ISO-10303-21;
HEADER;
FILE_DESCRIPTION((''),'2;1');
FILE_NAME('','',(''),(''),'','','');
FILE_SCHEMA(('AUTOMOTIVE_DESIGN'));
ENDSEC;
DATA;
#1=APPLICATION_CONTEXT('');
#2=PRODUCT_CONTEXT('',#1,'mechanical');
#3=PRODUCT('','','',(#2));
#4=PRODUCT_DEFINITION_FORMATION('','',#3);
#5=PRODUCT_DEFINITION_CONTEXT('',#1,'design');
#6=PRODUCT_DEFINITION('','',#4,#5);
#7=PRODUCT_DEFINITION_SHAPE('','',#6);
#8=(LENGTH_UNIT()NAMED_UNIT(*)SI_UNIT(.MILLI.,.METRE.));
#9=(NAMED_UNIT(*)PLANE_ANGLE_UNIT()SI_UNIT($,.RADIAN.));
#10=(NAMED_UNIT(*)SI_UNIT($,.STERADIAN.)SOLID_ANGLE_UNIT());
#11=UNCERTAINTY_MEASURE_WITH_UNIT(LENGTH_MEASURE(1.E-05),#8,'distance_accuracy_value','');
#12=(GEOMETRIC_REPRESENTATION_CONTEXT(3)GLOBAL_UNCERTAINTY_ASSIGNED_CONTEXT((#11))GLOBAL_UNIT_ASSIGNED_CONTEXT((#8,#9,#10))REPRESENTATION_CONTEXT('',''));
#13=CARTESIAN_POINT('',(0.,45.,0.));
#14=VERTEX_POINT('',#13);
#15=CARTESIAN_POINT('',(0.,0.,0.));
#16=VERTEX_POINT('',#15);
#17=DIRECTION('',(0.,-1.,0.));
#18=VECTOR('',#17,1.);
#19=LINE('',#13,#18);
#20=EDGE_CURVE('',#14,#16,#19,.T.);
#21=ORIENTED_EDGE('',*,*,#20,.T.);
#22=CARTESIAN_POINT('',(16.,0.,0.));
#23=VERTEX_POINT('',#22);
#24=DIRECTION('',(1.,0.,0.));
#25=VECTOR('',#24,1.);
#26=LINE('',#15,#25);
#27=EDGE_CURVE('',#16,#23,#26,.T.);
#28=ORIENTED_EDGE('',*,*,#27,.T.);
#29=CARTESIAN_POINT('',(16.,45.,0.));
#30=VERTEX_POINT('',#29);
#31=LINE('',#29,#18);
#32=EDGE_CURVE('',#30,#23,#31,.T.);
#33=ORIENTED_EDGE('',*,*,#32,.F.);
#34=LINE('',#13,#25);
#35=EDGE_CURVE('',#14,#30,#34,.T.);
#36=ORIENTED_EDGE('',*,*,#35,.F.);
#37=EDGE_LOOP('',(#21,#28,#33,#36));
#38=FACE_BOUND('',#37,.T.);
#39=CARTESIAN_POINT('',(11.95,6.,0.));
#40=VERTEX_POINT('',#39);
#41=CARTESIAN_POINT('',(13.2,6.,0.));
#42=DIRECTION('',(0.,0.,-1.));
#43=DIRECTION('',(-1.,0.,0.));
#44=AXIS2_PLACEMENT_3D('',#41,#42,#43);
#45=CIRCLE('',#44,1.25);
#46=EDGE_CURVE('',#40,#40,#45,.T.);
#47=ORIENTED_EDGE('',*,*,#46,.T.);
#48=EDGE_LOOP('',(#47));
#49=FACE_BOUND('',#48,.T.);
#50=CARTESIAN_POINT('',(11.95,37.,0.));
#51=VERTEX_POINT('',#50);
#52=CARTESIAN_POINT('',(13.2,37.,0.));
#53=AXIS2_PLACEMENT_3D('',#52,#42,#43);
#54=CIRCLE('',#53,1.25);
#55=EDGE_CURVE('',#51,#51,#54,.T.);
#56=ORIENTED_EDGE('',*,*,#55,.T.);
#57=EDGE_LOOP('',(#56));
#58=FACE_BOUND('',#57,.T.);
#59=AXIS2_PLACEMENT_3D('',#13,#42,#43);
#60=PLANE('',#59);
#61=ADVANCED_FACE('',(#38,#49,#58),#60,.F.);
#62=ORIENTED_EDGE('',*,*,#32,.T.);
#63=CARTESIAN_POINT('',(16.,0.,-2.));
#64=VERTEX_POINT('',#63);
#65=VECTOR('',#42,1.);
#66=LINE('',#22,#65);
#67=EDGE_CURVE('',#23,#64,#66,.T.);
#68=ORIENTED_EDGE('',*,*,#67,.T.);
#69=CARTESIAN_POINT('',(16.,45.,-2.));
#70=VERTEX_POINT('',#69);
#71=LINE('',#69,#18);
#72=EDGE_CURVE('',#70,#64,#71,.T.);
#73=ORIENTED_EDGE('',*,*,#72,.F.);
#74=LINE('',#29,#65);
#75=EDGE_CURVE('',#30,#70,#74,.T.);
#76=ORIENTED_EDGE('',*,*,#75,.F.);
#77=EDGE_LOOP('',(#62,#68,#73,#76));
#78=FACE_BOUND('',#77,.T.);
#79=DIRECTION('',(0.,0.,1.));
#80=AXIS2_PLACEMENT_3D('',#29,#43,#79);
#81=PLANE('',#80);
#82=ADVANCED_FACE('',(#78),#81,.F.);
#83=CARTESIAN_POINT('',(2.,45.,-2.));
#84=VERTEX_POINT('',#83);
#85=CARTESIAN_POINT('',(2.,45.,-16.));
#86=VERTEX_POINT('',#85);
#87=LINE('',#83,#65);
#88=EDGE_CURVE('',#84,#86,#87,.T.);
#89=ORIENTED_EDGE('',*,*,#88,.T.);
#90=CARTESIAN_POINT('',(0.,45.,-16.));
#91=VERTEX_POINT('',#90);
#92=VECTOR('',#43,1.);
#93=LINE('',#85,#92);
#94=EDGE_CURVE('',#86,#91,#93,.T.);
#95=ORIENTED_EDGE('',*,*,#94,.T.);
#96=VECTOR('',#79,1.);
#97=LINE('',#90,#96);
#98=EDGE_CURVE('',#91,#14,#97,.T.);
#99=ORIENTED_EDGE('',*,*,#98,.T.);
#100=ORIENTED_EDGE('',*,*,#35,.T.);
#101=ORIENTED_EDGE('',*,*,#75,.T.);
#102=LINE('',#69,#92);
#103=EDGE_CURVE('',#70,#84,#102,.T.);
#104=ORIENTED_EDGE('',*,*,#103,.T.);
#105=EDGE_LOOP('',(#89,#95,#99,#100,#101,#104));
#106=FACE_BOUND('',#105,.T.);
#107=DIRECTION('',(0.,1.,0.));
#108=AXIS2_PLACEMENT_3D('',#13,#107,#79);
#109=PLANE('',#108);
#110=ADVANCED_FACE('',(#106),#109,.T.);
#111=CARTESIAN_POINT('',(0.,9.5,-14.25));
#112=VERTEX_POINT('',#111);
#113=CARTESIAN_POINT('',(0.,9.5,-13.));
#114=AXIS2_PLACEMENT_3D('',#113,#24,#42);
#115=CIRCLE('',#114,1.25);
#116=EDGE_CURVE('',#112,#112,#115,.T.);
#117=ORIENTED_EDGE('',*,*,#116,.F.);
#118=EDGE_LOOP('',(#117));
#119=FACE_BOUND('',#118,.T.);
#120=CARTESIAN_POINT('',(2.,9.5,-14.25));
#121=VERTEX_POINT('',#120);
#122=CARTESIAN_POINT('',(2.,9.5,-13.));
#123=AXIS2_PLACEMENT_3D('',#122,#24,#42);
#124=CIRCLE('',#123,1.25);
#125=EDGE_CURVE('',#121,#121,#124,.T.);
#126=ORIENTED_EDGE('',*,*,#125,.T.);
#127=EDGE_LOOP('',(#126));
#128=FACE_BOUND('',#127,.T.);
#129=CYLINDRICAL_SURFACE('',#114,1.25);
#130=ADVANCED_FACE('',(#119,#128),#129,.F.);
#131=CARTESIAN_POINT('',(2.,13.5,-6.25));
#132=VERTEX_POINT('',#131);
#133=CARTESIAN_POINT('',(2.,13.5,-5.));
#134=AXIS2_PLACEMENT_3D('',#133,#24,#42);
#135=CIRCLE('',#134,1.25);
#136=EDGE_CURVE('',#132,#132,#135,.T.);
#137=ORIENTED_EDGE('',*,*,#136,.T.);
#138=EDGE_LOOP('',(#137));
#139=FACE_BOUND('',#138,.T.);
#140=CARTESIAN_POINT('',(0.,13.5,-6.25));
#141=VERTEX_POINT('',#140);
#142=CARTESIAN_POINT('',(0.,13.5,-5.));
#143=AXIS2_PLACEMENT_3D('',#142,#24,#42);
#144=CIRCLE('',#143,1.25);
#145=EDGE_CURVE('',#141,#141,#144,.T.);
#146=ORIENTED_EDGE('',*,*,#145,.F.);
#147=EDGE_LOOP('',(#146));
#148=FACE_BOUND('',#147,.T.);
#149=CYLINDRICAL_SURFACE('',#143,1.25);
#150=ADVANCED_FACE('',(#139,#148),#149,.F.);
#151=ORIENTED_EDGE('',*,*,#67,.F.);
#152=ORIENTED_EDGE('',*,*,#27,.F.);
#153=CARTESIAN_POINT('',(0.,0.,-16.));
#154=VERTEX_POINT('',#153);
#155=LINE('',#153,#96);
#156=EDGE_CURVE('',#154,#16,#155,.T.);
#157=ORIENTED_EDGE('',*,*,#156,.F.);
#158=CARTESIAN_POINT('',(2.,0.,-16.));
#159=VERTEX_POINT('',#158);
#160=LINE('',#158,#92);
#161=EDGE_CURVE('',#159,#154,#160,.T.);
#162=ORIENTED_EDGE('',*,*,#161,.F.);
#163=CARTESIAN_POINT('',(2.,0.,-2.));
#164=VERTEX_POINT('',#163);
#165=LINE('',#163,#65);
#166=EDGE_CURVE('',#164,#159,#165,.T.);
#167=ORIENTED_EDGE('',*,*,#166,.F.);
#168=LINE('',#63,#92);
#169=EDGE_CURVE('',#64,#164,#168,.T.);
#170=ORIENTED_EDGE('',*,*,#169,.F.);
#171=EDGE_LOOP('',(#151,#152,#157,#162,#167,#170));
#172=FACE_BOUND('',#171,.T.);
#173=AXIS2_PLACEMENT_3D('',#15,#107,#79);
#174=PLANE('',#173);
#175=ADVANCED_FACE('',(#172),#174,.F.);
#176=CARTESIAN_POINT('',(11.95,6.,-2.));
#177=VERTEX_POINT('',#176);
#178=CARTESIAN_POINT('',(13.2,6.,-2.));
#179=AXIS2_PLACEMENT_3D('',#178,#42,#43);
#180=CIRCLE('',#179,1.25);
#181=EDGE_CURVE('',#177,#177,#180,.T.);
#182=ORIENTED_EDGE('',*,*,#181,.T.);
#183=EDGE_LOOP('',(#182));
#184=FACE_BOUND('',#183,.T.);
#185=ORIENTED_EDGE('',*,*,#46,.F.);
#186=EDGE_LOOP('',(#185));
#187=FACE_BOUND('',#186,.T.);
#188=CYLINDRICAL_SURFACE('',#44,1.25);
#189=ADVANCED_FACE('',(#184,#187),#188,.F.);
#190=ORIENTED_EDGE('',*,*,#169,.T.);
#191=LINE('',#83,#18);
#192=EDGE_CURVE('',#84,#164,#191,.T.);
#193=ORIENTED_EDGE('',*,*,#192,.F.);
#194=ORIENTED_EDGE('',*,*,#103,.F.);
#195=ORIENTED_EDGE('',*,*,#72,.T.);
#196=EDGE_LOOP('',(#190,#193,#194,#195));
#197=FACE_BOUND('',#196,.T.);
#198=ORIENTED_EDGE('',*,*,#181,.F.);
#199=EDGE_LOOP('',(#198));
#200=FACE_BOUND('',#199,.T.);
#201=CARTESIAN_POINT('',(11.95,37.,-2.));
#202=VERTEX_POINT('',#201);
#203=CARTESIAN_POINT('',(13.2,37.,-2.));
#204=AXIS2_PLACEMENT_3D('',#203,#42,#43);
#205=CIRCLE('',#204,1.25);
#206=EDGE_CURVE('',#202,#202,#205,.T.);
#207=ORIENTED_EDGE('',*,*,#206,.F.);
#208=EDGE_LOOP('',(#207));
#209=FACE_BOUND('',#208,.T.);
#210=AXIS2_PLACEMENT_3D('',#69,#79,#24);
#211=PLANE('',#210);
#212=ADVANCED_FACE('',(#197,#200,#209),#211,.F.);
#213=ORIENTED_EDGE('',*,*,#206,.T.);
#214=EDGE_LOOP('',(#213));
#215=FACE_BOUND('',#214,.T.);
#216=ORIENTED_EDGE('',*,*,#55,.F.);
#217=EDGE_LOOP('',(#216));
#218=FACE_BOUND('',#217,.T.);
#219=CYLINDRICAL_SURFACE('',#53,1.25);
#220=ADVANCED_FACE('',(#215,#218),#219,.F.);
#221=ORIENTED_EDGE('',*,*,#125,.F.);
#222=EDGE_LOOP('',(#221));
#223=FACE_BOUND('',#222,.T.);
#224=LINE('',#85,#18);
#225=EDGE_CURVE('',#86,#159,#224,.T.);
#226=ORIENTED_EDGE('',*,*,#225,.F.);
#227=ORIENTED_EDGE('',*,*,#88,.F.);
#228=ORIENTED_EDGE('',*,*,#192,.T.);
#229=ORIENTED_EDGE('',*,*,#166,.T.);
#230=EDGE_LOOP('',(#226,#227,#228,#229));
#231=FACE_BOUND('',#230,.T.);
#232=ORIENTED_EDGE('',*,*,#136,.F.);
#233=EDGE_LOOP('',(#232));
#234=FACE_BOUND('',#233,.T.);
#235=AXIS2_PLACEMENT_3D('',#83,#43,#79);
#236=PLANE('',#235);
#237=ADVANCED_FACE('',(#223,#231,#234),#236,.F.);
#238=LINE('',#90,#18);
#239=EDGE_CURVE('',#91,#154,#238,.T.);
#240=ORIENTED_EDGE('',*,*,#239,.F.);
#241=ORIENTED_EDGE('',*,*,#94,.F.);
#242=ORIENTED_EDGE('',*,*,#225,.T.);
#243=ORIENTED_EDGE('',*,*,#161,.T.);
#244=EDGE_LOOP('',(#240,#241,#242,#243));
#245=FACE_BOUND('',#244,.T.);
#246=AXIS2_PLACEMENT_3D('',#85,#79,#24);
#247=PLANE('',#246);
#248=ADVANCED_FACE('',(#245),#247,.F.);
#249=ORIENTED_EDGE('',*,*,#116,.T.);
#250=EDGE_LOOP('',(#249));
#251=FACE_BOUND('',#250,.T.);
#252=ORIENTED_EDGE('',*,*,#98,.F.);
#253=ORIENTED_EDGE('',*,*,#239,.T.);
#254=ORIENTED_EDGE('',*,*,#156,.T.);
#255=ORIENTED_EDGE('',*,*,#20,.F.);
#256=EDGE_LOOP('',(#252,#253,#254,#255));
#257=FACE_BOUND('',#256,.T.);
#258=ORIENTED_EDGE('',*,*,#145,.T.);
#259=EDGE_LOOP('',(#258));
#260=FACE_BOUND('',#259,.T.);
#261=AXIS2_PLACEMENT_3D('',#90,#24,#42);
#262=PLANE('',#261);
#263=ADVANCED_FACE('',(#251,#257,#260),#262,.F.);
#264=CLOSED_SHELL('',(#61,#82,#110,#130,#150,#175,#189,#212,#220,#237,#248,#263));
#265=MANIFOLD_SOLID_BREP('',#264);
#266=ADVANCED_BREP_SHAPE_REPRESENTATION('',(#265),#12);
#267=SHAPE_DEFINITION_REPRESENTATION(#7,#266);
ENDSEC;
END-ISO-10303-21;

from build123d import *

# Parameters (mm, degrees)
BOSS_EXTRUDE1_DEPTH = 45
SKETCH2_R           = 1.25
CUT_EXTRUDE1_DEPTH  = 50.769468553
SKETCH3_R           = 1.25
CUT_EXTRUDE2_DEPTH  = 50.769468553


with BuildPart() as part:
    # Sketch1 → Boss-Extrude1 (new body)
    with BuildSketch(Plane(origin=(0, 0, 0), x_dir=(1, 0, 0), z_dir=(0, 1, 0))):
        Polygon((0, 0), (16, 0), (16, 2), (2, 2), (2, 16), (0, 16), align=None)
    extrude(amount=BOSS_EXTRUDE1_DEPTH)

    # Sketch2 → Cut-Extrude1 (cut, through all)
    with BuildSketch(Plane(origin=(0, 0, -2), x_dir=(-1, 0, 0), z_dir=(0, 0, -1))):
        with Locations((-13.2, 37)):
            Circle(SKETCH2_R)
        with Locations((-13.2, 6)):
            Circle(SKETCH2_R)
    extrude(amount=-CUT_EXTRUDE1_DEPTH, mode=Mode.SUBTRACT)

    # Sketch3 → Cut-Extrude2 (cut, through all)
    with BuildSketch(Plane(origin=(2, 0, 0), x_dir=(0, 0, -1), z_dir=(1, 0, 0))):
        with Locations((13, 9.5)):
            Circle(SKETCH3_R)
        with Locations((5, 13.5)):
            Circle(SKETCH3_R)
    extrude(amount=-CUT_EXTRUDE2_DEPTH, mode=Mode.SUBTRACT)


solid = part.part
